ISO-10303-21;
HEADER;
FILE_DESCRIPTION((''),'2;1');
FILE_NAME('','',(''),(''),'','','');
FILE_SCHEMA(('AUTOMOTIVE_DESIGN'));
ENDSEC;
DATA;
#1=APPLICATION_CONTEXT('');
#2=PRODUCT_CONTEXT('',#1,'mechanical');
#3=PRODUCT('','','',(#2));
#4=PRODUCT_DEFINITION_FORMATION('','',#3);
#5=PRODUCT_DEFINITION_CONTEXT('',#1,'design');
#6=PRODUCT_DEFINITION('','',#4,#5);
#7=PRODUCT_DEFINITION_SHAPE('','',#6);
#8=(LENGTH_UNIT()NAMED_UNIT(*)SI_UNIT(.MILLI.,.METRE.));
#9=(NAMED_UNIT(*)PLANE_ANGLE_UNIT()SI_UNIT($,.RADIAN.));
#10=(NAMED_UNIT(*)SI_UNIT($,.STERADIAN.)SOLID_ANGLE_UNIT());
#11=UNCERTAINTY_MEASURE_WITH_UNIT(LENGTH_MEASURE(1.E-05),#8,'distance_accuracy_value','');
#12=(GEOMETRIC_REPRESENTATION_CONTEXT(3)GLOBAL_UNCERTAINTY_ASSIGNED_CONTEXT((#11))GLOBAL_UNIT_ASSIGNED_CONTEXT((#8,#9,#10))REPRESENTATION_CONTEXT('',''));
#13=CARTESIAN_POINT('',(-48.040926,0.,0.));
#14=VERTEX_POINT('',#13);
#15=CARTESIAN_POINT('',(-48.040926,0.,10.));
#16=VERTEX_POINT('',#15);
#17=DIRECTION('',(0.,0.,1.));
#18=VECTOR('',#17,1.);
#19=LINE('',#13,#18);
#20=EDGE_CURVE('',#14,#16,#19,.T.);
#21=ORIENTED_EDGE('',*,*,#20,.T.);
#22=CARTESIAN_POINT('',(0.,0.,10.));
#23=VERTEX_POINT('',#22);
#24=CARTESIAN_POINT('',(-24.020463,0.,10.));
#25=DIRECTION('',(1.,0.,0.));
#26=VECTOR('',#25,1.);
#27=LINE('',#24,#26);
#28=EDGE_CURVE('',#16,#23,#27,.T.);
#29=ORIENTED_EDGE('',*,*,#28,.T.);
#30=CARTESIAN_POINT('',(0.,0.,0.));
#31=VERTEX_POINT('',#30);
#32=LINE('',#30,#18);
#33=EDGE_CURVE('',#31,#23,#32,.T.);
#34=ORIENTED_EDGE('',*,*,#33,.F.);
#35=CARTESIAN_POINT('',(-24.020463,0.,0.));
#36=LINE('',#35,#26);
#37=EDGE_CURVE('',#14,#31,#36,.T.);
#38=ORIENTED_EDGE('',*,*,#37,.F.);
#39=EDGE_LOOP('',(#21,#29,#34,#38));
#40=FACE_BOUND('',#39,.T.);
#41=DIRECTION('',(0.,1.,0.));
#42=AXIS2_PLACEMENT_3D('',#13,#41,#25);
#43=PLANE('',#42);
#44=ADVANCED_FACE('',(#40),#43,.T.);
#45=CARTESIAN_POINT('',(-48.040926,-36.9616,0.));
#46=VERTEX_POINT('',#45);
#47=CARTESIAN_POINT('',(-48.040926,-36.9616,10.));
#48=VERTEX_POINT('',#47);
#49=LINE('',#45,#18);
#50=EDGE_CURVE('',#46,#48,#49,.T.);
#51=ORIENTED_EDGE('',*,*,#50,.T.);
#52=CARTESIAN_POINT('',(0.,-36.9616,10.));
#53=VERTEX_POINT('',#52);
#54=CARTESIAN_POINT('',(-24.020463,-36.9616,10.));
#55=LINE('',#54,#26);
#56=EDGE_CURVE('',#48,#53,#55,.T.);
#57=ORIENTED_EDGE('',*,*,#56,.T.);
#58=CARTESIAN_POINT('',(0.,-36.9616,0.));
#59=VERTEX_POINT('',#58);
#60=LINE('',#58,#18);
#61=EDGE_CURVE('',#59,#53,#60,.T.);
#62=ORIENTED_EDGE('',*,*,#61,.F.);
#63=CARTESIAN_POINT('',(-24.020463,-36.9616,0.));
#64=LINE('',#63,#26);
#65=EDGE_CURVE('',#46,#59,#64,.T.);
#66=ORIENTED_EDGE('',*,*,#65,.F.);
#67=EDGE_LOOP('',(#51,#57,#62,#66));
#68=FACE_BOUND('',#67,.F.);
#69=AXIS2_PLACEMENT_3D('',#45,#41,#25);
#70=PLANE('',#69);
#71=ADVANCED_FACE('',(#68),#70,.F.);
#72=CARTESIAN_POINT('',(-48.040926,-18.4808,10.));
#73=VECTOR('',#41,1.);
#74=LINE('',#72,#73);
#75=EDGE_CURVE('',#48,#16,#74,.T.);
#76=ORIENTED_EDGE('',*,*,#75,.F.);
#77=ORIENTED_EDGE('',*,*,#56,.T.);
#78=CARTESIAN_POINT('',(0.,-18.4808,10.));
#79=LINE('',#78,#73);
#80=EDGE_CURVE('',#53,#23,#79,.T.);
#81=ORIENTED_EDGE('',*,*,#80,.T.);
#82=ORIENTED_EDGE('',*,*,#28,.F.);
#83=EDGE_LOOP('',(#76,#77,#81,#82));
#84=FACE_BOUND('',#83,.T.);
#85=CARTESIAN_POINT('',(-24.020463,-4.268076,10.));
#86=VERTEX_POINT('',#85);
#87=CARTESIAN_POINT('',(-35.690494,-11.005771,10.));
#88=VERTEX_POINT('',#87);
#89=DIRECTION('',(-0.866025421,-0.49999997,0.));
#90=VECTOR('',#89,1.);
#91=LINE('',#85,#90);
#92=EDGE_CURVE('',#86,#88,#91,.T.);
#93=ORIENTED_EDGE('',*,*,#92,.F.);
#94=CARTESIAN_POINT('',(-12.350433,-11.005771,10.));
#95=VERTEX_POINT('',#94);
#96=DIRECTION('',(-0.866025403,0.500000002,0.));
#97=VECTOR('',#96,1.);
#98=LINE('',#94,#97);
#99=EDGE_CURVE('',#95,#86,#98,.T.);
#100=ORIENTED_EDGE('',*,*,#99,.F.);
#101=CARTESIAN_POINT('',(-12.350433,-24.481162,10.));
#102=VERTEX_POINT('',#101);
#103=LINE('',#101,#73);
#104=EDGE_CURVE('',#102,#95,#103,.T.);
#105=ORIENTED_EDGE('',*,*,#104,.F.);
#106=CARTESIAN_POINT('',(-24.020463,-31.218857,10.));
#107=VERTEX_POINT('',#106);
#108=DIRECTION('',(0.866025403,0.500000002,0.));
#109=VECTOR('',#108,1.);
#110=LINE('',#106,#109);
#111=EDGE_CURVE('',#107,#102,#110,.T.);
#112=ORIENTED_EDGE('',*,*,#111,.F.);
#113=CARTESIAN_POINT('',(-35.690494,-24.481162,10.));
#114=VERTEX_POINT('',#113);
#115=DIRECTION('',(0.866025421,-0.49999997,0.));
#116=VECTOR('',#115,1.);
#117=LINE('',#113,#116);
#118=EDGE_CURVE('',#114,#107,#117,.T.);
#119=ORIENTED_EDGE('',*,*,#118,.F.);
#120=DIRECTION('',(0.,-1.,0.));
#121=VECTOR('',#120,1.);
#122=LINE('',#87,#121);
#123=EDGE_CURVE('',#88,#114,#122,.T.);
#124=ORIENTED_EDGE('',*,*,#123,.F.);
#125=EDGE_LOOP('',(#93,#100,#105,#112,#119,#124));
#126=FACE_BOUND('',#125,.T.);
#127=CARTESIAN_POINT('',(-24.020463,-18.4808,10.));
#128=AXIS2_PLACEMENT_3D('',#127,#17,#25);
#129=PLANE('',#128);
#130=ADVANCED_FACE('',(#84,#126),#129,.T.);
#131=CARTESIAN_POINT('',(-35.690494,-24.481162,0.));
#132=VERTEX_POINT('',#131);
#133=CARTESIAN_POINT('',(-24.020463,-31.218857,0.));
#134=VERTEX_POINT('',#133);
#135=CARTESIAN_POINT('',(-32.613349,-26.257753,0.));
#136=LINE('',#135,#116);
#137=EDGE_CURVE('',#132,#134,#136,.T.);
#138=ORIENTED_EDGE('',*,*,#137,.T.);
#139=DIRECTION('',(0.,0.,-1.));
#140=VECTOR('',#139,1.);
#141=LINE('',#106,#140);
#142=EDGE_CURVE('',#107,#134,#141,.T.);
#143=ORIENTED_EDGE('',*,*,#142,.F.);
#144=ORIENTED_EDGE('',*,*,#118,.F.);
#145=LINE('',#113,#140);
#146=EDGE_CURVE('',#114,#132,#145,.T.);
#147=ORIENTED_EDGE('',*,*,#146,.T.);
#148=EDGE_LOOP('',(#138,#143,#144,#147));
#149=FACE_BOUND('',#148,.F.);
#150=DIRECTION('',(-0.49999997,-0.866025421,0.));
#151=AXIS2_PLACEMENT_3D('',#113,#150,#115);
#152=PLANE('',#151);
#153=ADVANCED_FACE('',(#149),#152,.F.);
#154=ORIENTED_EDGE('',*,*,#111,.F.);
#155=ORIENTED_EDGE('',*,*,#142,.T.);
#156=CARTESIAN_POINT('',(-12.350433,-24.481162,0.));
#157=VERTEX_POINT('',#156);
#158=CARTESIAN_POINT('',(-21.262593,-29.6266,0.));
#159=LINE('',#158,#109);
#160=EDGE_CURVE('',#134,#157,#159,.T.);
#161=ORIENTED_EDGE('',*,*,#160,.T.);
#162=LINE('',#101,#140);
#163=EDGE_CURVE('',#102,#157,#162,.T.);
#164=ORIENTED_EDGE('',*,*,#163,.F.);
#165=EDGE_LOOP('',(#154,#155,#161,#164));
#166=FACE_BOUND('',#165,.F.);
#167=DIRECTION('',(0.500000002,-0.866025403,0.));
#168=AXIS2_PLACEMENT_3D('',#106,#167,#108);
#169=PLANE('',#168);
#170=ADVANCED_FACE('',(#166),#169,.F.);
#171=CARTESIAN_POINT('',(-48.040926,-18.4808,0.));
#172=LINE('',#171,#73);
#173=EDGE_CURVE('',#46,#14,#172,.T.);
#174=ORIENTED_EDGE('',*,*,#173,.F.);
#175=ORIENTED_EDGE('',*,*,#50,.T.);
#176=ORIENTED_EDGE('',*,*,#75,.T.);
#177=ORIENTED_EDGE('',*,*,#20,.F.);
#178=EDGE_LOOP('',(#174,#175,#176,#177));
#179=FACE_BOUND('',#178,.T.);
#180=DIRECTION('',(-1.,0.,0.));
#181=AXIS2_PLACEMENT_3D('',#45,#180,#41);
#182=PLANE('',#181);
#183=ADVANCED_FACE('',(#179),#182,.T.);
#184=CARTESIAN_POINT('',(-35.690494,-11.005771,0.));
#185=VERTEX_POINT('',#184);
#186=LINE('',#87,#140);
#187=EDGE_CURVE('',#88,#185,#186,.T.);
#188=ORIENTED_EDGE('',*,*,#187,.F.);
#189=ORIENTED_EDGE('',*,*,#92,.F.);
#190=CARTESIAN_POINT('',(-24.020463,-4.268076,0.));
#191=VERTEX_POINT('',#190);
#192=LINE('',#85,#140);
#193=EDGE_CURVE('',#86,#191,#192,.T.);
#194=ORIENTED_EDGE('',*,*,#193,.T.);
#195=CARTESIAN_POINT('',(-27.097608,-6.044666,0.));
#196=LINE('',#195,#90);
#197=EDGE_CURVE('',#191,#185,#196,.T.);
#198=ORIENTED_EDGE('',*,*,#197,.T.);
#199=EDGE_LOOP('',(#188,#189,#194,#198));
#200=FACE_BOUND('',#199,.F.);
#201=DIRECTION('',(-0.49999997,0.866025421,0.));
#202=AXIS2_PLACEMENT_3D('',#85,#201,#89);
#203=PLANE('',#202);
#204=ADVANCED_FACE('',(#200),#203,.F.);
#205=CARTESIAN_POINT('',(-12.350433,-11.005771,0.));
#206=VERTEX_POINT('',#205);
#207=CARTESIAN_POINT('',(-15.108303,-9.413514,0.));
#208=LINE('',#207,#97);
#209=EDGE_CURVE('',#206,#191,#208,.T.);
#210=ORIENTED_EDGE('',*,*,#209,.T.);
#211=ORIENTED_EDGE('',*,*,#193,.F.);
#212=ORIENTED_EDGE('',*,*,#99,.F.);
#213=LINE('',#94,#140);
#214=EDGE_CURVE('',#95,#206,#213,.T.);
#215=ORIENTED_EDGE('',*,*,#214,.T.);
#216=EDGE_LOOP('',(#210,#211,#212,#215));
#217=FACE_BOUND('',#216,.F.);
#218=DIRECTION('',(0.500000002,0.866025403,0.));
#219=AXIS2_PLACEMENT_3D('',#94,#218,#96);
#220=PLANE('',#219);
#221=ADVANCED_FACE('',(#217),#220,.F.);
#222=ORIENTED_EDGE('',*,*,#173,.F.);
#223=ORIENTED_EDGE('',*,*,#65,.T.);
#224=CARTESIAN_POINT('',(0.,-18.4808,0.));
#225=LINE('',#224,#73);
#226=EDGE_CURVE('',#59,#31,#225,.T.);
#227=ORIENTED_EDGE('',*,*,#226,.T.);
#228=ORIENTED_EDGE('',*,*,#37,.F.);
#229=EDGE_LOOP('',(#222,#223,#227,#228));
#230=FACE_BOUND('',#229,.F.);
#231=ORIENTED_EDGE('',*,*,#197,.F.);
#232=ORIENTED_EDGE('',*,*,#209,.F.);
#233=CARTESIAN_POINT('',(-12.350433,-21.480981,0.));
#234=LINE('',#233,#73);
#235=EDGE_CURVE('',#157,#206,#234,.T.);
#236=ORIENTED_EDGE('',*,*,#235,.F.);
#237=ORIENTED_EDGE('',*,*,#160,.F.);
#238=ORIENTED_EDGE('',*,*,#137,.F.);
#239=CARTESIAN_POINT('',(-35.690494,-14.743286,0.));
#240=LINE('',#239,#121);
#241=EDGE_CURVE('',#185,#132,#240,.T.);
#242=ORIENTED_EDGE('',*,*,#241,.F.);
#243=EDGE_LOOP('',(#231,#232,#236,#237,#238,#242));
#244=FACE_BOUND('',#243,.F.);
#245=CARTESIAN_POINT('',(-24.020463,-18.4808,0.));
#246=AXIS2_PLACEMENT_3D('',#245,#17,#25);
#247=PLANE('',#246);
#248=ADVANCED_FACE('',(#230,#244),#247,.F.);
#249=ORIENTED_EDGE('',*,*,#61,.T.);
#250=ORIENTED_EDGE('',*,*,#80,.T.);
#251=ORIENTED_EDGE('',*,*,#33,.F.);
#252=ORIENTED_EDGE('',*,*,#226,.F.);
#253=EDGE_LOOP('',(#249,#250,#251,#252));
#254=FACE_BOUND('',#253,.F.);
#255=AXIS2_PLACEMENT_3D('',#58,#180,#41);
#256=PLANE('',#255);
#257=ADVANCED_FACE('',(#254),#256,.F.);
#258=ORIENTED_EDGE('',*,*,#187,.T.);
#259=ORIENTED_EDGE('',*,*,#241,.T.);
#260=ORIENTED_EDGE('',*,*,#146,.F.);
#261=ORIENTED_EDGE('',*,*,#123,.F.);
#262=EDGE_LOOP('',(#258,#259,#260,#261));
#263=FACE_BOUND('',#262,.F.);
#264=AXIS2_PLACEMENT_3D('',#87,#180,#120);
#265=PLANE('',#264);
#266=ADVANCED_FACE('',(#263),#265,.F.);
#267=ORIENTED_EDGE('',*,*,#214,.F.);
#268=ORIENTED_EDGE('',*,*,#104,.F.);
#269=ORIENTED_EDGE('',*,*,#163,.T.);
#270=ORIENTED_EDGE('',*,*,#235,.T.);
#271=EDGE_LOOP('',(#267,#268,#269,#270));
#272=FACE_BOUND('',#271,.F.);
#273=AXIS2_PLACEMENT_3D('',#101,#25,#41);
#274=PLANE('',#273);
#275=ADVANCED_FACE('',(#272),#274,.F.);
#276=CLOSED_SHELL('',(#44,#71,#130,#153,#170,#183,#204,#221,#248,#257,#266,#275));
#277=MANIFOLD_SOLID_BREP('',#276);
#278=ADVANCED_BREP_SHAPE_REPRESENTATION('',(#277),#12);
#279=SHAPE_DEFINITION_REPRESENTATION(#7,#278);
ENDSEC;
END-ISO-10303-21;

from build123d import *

# Parameters (mm, degrees)
F0_W     = 48.040926
F0_H     = 36.9616
F1_DEPTH = 10
F3_DEPTH = 25.4


with BuildPart() as f1:
    # F0 (on Top) → F1 (new body)
    with BuildSketch(Plane.XY):
        with Locations((-24.020463, -18.4808)):
            Rectangle(F0_W, F0_H)
    extrude(amount=F1_DEPTH)

    # F2 (on face) → F3 (cut)
    with BuildSketch(Plane.XY.offset(10)):
        Polygon((-12.350433, -24.481162), (-12.350433, -11.005771), (-24.020463, -4.268076), (-35.690494, -11.005771), (-35.690494, -24.481162), (-24.020463, -31.218857), align=None)
    extrude(amount=-F3_DEPTH, mode=Mode.SUBTRACT)


solid = f1.part
